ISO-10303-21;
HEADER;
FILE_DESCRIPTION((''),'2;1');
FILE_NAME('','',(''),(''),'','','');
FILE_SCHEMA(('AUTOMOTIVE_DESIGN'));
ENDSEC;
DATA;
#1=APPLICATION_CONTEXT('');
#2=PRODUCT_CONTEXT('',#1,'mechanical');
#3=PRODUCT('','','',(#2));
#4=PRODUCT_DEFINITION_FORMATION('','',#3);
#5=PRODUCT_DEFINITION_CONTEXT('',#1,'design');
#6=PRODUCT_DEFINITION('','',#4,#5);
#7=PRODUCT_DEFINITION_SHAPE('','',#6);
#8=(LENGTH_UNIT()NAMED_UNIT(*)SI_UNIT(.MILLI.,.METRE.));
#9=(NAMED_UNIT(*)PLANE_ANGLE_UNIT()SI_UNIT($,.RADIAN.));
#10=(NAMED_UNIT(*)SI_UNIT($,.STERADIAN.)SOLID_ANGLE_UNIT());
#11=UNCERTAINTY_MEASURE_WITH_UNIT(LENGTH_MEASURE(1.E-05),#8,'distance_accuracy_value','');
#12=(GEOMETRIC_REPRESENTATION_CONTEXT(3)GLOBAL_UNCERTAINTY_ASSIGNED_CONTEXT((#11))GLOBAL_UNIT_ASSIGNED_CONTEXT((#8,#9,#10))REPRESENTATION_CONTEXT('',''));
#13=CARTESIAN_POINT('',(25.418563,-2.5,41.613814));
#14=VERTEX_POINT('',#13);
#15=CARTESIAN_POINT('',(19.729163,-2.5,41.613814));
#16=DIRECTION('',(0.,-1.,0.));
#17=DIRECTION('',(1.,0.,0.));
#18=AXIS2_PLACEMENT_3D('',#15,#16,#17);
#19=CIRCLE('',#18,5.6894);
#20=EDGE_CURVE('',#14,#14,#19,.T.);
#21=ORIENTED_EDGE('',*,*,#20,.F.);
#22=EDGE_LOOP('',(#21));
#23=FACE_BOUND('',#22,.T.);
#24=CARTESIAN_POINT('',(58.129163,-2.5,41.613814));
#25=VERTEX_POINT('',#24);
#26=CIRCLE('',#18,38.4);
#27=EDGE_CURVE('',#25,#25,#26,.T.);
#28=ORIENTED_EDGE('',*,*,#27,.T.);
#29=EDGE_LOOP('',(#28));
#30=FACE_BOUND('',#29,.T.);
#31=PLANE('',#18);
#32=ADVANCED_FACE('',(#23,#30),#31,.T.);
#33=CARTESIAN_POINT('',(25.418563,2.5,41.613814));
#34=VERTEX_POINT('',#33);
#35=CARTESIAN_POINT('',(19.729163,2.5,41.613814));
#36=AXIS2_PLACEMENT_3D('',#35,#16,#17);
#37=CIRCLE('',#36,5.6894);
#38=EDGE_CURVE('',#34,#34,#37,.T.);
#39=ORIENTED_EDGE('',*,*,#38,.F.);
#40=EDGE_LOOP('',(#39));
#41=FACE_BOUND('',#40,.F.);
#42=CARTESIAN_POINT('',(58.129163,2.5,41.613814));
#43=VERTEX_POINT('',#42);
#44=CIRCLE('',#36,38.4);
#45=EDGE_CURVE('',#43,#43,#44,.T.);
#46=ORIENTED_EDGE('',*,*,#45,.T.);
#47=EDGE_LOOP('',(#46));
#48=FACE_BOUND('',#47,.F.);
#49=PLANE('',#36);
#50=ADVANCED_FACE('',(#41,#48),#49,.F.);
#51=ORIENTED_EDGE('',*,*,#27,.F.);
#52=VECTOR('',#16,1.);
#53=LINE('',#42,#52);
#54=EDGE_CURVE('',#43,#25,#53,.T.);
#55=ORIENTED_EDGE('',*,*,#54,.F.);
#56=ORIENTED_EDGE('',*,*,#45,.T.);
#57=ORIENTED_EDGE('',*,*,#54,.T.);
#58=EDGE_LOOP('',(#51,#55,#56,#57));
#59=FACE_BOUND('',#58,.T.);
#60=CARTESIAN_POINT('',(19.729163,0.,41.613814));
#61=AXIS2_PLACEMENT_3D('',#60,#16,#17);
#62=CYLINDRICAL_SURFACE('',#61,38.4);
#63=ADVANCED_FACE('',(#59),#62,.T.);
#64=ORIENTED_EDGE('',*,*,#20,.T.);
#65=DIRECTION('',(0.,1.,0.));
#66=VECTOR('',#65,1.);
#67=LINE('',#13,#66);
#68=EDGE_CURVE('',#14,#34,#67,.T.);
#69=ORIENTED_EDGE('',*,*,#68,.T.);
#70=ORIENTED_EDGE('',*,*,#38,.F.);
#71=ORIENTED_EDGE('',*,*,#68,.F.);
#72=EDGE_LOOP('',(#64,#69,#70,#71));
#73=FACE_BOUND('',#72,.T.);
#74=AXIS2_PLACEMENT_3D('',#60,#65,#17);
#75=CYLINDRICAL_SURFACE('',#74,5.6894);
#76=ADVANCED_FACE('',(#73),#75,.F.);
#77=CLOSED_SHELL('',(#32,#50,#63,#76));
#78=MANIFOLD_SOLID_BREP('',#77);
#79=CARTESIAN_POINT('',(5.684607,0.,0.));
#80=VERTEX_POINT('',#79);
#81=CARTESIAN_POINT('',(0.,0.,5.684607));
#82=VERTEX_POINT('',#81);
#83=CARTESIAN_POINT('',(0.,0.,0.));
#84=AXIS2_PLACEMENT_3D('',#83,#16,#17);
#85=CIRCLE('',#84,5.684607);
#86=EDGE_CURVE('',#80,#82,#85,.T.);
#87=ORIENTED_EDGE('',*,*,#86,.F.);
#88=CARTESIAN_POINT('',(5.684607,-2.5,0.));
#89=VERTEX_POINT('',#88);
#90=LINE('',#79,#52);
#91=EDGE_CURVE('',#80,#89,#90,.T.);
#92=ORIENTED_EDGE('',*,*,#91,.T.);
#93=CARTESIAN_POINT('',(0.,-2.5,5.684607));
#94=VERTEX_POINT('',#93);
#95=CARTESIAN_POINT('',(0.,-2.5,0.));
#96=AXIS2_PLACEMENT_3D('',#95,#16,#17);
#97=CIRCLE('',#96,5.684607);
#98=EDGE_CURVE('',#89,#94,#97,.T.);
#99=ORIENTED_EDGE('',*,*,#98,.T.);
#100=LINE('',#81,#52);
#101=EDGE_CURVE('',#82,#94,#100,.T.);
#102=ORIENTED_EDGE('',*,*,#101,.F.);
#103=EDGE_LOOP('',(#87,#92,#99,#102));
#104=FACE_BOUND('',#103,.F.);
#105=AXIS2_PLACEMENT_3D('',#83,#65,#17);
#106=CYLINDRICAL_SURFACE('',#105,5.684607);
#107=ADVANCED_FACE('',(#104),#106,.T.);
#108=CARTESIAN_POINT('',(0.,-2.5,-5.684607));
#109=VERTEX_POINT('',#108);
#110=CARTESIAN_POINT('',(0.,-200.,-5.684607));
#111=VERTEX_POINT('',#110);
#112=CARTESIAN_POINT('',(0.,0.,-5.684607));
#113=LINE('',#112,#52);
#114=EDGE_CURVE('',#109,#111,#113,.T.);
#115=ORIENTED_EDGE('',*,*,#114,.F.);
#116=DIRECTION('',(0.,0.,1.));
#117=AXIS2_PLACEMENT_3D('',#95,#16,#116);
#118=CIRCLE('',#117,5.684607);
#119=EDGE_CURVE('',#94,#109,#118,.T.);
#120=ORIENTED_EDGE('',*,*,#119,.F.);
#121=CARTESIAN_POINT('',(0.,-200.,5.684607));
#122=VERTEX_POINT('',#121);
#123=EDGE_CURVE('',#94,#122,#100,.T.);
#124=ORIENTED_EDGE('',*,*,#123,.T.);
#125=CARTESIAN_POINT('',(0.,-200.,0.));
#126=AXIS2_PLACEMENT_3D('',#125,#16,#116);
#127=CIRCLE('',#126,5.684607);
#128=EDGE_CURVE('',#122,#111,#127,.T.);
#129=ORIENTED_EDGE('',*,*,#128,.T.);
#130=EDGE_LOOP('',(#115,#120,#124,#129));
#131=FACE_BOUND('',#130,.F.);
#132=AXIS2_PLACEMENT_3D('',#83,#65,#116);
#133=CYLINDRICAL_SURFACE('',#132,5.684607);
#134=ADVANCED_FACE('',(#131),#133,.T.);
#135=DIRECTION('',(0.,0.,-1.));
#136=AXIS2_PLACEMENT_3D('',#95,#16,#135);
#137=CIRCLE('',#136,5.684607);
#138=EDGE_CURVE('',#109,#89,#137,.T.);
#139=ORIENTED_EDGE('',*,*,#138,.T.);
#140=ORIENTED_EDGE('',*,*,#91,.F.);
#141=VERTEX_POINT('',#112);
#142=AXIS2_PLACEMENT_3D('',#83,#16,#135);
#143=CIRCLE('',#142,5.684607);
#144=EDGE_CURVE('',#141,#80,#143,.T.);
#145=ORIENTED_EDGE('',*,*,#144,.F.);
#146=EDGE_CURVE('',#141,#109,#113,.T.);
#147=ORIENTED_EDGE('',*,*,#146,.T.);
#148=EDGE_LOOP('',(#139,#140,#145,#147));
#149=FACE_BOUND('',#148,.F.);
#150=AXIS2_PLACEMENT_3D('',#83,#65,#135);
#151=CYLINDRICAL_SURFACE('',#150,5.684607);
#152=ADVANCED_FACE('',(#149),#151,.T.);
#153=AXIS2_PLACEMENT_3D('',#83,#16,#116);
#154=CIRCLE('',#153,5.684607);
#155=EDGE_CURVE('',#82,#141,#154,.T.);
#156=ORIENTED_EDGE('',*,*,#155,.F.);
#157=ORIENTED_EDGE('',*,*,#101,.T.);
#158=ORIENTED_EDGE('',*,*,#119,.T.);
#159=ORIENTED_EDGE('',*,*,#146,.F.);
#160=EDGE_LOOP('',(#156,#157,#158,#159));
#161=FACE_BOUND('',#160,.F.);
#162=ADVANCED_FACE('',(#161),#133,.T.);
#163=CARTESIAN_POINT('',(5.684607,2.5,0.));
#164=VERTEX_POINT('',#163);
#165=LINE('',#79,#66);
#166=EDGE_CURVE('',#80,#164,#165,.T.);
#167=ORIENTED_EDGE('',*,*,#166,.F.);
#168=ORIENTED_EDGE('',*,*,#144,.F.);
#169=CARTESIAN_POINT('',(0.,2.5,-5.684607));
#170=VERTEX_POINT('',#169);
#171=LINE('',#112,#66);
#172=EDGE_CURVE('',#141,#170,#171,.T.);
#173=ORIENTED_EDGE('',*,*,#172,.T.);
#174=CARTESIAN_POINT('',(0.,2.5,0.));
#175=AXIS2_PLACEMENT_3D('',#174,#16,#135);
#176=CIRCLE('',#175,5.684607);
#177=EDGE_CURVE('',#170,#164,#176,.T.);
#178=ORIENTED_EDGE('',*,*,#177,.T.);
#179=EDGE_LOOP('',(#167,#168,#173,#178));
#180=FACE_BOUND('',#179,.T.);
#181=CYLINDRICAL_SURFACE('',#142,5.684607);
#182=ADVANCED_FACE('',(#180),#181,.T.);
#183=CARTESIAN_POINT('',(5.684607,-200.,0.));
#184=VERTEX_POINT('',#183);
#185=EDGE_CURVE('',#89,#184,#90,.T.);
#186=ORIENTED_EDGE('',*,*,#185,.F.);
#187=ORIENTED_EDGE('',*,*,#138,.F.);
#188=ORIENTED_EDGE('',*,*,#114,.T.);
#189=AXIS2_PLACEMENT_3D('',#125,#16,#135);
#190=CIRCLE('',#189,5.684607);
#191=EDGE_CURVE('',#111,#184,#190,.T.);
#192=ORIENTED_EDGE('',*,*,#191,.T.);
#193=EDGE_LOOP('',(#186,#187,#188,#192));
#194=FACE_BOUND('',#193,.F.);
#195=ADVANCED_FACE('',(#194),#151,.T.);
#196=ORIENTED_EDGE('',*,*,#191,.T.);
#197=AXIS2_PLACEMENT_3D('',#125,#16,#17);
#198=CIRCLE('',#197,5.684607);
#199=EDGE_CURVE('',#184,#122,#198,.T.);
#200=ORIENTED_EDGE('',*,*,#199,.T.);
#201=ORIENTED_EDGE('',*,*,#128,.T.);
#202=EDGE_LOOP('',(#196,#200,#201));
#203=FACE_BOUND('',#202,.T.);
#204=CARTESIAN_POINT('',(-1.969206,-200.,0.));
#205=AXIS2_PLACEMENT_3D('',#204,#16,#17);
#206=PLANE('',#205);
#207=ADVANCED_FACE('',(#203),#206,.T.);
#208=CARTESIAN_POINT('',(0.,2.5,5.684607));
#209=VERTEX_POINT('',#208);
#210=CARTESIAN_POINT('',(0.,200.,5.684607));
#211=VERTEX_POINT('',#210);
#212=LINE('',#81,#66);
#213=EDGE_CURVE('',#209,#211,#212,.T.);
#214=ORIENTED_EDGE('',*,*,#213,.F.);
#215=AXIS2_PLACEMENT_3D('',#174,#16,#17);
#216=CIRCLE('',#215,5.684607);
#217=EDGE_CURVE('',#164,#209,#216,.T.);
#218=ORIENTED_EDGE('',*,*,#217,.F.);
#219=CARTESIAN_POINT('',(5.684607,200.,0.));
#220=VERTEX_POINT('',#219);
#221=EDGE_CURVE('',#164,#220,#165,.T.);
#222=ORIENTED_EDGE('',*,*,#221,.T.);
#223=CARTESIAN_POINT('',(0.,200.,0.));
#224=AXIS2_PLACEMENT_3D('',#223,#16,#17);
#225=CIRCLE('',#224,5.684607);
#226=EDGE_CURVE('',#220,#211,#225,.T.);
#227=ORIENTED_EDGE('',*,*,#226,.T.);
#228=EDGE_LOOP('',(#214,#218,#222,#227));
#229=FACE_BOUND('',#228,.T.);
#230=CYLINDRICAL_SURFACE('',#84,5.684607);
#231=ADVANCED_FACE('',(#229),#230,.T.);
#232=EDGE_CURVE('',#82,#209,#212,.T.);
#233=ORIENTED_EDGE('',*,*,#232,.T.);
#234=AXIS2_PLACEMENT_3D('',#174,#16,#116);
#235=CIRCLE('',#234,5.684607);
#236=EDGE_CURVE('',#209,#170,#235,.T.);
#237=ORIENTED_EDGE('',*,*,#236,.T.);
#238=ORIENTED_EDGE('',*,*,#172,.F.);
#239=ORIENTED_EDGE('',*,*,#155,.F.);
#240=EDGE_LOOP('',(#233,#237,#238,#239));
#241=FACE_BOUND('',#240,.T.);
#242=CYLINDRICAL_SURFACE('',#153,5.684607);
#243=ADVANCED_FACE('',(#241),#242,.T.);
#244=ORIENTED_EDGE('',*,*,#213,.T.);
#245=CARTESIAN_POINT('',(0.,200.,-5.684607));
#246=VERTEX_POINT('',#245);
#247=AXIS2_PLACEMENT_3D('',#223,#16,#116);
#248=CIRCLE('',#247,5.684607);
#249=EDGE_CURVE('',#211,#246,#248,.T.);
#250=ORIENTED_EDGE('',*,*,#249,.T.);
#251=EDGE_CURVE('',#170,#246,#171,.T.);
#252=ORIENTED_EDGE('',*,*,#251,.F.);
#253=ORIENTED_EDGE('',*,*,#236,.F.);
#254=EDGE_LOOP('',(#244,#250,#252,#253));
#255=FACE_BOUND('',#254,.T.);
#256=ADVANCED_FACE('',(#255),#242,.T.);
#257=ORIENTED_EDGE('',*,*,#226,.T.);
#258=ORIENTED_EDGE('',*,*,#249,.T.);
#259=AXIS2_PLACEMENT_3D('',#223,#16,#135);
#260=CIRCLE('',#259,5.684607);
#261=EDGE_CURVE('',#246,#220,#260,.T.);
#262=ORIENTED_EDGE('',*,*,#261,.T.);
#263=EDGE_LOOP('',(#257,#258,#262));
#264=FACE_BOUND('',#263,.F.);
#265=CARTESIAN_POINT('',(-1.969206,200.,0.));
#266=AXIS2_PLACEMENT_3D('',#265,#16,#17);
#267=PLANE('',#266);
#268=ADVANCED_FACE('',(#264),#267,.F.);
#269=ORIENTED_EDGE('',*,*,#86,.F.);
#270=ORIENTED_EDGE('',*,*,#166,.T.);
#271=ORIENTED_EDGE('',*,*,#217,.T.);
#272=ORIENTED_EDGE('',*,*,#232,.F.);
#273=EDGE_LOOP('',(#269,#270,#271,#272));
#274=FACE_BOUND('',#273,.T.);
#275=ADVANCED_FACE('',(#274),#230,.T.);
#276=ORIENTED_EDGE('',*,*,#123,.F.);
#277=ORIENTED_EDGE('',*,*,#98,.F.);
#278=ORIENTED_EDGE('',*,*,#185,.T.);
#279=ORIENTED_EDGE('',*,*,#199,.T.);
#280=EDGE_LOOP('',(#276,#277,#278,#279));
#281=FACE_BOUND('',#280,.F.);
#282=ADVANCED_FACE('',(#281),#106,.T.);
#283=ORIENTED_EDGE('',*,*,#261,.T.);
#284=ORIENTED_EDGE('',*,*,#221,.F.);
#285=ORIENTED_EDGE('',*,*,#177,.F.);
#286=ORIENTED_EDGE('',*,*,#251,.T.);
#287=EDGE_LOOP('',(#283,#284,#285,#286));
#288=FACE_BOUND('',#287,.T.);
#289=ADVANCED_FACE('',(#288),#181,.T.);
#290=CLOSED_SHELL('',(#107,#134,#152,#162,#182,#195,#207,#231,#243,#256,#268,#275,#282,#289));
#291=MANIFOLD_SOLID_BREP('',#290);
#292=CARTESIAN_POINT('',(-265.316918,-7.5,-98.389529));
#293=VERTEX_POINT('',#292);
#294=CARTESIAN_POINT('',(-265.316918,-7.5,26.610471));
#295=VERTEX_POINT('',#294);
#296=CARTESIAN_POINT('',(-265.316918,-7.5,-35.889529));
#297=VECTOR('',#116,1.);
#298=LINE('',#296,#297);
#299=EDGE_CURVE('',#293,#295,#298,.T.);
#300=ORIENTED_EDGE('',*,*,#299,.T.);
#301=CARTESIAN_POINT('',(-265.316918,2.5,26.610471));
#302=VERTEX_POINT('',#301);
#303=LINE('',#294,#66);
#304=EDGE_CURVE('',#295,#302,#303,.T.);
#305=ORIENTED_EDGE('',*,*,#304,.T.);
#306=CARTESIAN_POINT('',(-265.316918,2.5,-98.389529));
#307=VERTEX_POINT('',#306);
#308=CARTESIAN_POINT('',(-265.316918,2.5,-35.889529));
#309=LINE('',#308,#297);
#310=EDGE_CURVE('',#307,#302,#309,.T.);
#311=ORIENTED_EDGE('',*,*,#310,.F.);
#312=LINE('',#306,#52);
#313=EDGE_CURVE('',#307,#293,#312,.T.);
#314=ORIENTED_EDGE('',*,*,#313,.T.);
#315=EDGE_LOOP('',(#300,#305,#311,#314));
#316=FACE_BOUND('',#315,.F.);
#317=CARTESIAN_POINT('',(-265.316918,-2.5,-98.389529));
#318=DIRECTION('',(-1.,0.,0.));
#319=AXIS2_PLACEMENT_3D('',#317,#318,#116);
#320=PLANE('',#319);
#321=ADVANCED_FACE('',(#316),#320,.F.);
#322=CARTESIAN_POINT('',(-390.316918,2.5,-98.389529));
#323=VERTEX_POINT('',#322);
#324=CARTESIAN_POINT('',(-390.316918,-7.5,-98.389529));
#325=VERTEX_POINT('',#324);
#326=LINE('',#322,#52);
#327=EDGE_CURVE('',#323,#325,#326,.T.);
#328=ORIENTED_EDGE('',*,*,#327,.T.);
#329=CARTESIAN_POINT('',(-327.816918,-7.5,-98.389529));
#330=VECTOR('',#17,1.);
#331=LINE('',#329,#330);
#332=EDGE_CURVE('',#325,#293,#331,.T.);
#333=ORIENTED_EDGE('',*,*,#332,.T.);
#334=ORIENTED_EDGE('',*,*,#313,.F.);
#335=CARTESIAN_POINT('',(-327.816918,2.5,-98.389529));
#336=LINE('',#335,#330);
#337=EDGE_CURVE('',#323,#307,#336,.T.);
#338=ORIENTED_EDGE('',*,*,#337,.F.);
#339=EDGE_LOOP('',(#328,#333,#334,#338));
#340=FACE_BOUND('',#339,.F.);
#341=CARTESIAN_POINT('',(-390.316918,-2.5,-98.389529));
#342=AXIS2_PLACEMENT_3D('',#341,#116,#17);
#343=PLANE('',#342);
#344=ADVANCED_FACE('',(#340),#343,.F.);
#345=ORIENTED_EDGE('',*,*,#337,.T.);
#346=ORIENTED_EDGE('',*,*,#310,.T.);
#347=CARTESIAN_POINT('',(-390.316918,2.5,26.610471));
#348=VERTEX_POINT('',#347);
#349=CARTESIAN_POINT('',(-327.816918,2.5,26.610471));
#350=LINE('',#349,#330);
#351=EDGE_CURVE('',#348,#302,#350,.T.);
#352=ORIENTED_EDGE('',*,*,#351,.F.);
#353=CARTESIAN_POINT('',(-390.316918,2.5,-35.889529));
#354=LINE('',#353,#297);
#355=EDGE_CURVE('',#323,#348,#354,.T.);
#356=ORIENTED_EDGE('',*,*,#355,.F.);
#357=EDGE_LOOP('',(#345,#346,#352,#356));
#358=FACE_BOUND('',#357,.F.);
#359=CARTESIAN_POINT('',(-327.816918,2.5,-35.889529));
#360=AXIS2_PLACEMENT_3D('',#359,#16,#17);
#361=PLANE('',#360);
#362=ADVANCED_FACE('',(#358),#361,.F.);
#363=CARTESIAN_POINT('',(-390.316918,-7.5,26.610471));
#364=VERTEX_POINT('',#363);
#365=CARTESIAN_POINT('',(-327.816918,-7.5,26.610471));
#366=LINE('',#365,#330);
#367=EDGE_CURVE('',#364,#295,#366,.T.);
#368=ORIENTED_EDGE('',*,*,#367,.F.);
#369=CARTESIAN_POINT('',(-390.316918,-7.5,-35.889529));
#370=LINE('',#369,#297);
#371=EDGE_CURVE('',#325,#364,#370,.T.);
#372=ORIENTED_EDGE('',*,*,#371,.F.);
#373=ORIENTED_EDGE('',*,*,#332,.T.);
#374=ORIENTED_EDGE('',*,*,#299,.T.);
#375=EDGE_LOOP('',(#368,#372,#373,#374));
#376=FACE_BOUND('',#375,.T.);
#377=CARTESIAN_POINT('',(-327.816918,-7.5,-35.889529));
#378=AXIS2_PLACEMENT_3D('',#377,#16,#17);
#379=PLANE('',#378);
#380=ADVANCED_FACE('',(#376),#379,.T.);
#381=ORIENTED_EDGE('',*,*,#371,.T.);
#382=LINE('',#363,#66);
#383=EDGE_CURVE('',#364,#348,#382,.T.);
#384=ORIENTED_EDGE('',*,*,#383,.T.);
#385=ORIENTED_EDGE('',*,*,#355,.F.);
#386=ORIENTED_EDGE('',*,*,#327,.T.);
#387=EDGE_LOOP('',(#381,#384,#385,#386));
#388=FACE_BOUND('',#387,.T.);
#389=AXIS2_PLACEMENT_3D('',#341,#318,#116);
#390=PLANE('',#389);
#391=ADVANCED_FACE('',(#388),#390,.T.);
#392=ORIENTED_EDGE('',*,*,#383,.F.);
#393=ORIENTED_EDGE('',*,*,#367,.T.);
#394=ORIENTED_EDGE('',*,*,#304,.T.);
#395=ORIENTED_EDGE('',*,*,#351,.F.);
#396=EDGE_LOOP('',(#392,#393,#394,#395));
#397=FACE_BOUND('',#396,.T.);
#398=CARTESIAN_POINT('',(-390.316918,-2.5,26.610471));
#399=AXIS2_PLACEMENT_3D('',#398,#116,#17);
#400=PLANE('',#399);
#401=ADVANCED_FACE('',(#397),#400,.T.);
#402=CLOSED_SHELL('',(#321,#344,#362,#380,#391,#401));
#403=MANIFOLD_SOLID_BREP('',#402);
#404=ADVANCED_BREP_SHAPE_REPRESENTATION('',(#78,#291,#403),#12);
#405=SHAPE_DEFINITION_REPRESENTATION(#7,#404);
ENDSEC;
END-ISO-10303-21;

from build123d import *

# Parameters (mm, degrees)
F1_DEPTH = 200
F2_DEPTH = 2.5
F0_W     = 125
F0_H     = 125
F0_R     = 38.4
F0_R_2   = 5.6893998614
F3_DEPTH = 5


with BuildPart() as f1:
    # F0 (on Front) → F1 (new body, symmetric)
    with BuildSketch(Plane.XZ):
        with BuildLine():
            Line((0, -5.6846067522), (0, 5.6846067522))
            ThreePointArc((0, 5.6846067522), (-5.6846067522, 0), (0, -5.6846067522))
        make_face()
        with BuildLine():
            ThreePointArc((0, -5.6846067522), (4.0196239829, -4.0196239829), (5.6846067522, 0))
            ThreePointArc((5.6846067522, 0), (4.0196239829, 4.0196239829), (0, 5.6846067522))
            Line((0, 5.6846067522), (0, -5.6846067522))
        make_face()
    extrude(amount=F1_DEPTH, both=True)

    # F0 (on Front) → F2 (join, symmetric)
    with BuildSketch(Plane.XZ):
        with BuildLine():
            ThreePointArc((0, -5.6846067522), (4.0196239829, -4.0196239829), (5.6846067522, 0))
            ThreePointArc((5.6846067522, 0), (4.0196239829, 4.0196239829), (0, 5.6846067522))
            Line((0, 5.6846067522), (0, -5.6846067522))
        make_face()
        with BuildLine():
            Line((0, -5.6846067522), (0, 5.6846067522))
            ThreePointArc((0, 5.6846067522), (-5.6846067522, 0), (0, -5.6846067522))
        make_face()
    extrude(amount=F2_DEPTH, both=True)


with BuildPart() as f2:
    # F0 (on Front) → F2, piece 2 (new body, symmetric)
    with BuildSketch(Plane.XZ):
        with Locations((-327.8169184923, -35.8895286918)):
            Rectangle(F0_W, F0_H)
    extrude(amount=F2_DEPTH, both=True)

    # F3 (add): a face of the model
    f3_faces = [f2.faces().sort_by_distance(p)[0] for p in [
        (-327.8169184923, -2.5, -35.8895286918),
    ]]
    extrude(f3_faces, amount=F3_DEPTH)


with BuildPart() as f2b:
    # F0 (on Front) → F2, piece 3 (new body, symmetric)
    with BuildSketch(Plane.XZ):
        with Locations((19.7291626689, 41.6138138982)):
            Circle(F0_R)
        with Locations((19.7291626689, 41.6138138982)):
            Circle(F0_R_2, mode=Mode.SUBTRACT)
    extrude(amount=F2_DEPTH, both=True)


solid = Compound([f1.part, f2.part, f2b.part])
